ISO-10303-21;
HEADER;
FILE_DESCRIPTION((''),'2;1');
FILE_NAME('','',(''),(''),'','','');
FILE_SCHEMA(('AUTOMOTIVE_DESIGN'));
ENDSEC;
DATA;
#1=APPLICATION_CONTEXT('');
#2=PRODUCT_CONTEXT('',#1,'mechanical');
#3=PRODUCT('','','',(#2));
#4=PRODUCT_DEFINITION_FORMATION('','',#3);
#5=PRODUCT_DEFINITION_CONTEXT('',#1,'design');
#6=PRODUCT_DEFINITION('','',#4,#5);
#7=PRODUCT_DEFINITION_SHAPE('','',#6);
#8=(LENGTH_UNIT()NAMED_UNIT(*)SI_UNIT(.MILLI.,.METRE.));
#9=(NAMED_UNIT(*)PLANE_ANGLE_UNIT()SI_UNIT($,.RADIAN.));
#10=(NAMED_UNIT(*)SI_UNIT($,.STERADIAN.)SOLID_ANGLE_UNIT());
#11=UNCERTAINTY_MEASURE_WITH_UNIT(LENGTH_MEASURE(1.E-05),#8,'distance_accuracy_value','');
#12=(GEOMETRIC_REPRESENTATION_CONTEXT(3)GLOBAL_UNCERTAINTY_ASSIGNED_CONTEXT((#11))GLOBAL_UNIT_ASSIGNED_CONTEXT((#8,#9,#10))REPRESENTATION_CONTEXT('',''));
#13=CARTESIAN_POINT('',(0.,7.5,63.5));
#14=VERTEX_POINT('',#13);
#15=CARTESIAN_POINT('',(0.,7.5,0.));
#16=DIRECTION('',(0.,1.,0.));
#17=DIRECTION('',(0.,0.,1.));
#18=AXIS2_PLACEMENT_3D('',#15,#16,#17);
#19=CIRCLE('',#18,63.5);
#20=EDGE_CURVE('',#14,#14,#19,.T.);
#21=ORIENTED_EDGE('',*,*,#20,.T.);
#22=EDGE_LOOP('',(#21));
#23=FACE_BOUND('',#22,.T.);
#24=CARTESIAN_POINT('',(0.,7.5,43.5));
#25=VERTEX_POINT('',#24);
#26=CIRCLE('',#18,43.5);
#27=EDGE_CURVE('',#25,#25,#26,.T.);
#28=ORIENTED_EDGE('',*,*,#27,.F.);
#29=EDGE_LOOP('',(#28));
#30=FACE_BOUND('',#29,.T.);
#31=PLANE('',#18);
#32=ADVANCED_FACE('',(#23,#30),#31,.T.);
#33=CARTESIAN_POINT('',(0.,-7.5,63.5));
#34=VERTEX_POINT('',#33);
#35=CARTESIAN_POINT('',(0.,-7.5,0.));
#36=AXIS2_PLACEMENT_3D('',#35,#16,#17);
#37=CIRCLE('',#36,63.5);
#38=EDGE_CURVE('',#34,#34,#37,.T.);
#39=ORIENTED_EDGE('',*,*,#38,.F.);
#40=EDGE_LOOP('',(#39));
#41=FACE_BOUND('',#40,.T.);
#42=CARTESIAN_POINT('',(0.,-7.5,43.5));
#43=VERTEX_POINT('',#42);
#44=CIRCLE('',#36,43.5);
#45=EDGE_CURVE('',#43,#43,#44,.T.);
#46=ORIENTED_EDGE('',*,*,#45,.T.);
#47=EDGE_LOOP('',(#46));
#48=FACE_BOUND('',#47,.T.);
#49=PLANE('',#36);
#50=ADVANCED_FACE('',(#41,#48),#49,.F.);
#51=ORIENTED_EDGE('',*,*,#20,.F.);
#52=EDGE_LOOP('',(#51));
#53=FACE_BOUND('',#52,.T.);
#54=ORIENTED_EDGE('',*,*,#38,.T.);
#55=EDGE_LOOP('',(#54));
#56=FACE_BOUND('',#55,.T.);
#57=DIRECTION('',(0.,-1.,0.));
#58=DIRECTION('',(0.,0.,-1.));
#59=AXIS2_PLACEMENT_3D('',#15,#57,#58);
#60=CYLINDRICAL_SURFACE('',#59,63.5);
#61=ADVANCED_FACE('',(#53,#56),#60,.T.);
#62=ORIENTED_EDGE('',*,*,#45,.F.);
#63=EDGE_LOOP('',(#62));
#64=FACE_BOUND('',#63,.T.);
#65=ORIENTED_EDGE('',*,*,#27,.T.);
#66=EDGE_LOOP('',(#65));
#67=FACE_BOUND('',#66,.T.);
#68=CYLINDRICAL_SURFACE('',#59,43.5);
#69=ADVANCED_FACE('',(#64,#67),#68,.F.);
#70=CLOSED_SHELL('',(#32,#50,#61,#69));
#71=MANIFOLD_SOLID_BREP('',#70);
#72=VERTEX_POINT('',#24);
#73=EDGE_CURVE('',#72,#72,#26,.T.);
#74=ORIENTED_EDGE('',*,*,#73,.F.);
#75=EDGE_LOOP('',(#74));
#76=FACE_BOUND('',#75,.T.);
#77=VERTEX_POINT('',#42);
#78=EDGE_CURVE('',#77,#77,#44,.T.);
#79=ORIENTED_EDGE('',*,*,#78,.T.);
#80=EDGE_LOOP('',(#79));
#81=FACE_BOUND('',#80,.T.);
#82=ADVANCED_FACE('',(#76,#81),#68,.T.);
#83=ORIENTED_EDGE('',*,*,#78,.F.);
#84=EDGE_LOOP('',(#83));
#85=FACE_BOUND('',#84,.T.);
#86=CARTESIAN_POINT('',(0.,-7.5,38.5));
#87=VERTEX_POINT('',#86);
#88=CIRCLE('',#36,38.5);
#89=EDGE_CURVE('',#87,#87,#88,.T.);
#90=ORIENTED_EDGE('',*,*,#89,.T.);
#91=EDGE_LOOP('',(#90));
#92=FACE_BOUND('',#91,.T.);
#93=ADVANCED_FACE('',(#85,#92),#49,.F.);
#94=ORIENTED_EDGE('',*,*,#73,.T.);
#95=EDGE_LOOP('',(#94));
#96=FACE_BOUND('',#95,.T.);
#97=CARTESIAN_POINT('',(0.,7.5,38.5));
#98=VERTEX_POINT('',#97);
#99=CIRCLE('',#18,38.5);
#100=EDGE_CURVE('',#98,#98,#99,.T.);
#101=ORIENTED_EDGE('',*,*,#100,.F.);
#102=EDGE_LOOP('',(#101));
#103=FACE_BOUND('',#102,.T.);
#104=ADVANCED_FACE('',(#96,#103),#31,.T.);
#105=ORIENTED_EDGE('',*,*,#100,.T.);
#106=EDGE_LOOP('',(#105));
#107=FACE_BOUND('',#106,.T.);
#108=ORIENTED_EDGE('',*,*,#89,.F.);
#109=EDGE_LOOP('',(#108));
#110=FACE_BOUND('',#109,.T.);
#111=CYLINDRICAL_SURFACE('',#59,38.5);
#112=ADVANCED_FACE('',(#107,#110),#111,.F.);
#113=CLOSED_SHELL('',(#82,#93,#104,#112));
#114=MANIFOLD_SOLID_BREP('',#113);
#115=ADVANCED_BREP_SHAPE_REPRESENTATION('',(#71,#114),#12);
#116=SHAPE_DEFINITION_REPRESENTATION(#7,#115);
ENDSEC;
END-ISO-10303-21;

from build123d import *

# Parameters (mm, degrees)
SKETCH_2_R      = 43.5
SKETCH_2_R_2    = 38.5
EXTRUDE_1_DEPTH = 7.5
SKETCH_3_R      = 63.5
SKETCH_3_R_2    = 43.5
EXTRUDE_2_DEPTH = 7.5


with BuildPart() as part:
    # 草图2 → 凸台-拉伸1 (new, symmetric)
    with BuildSketch(Plane(origin=(0, 0, 0), x_dir=(1, 0, 0), z_dir=(0, 1, 0))):
        with Locations(Location((0, 0, 0), (0, 0, 270))):
            Circle(SKETCH_2_R)
        with Locations(Location((0, 0, 0), (0, 0, 270))):
            Circle(SKETCH_2_R_2, mode=Mode.SUBTRACT)
    extrude(amount=EXTRUDE_1_DEPTH, both=True)


with BuildPart() as body_2:
    # 草图3 → 凸台-拉伸2 (new, symmetric)
    with BuildSketch(Plane(origin=(0, 0, 0), x_dir=(1, 0, 0), z_dir=(0, 1, 0))):
        with Locations(Location((0, 0, 0), (0, 0, 270))):
            Circle(SKETCH_3_R)
        with Locations(Location((0, 0, 0), (0, 0, 270))):
            Circle(SKETCH_3_R_2, mode=Mode.SUBTRACT)
    extrude(amount=EXTRUDE_2_DEPTH, both=True)


solid = Compound([part.part, body_2.part])
